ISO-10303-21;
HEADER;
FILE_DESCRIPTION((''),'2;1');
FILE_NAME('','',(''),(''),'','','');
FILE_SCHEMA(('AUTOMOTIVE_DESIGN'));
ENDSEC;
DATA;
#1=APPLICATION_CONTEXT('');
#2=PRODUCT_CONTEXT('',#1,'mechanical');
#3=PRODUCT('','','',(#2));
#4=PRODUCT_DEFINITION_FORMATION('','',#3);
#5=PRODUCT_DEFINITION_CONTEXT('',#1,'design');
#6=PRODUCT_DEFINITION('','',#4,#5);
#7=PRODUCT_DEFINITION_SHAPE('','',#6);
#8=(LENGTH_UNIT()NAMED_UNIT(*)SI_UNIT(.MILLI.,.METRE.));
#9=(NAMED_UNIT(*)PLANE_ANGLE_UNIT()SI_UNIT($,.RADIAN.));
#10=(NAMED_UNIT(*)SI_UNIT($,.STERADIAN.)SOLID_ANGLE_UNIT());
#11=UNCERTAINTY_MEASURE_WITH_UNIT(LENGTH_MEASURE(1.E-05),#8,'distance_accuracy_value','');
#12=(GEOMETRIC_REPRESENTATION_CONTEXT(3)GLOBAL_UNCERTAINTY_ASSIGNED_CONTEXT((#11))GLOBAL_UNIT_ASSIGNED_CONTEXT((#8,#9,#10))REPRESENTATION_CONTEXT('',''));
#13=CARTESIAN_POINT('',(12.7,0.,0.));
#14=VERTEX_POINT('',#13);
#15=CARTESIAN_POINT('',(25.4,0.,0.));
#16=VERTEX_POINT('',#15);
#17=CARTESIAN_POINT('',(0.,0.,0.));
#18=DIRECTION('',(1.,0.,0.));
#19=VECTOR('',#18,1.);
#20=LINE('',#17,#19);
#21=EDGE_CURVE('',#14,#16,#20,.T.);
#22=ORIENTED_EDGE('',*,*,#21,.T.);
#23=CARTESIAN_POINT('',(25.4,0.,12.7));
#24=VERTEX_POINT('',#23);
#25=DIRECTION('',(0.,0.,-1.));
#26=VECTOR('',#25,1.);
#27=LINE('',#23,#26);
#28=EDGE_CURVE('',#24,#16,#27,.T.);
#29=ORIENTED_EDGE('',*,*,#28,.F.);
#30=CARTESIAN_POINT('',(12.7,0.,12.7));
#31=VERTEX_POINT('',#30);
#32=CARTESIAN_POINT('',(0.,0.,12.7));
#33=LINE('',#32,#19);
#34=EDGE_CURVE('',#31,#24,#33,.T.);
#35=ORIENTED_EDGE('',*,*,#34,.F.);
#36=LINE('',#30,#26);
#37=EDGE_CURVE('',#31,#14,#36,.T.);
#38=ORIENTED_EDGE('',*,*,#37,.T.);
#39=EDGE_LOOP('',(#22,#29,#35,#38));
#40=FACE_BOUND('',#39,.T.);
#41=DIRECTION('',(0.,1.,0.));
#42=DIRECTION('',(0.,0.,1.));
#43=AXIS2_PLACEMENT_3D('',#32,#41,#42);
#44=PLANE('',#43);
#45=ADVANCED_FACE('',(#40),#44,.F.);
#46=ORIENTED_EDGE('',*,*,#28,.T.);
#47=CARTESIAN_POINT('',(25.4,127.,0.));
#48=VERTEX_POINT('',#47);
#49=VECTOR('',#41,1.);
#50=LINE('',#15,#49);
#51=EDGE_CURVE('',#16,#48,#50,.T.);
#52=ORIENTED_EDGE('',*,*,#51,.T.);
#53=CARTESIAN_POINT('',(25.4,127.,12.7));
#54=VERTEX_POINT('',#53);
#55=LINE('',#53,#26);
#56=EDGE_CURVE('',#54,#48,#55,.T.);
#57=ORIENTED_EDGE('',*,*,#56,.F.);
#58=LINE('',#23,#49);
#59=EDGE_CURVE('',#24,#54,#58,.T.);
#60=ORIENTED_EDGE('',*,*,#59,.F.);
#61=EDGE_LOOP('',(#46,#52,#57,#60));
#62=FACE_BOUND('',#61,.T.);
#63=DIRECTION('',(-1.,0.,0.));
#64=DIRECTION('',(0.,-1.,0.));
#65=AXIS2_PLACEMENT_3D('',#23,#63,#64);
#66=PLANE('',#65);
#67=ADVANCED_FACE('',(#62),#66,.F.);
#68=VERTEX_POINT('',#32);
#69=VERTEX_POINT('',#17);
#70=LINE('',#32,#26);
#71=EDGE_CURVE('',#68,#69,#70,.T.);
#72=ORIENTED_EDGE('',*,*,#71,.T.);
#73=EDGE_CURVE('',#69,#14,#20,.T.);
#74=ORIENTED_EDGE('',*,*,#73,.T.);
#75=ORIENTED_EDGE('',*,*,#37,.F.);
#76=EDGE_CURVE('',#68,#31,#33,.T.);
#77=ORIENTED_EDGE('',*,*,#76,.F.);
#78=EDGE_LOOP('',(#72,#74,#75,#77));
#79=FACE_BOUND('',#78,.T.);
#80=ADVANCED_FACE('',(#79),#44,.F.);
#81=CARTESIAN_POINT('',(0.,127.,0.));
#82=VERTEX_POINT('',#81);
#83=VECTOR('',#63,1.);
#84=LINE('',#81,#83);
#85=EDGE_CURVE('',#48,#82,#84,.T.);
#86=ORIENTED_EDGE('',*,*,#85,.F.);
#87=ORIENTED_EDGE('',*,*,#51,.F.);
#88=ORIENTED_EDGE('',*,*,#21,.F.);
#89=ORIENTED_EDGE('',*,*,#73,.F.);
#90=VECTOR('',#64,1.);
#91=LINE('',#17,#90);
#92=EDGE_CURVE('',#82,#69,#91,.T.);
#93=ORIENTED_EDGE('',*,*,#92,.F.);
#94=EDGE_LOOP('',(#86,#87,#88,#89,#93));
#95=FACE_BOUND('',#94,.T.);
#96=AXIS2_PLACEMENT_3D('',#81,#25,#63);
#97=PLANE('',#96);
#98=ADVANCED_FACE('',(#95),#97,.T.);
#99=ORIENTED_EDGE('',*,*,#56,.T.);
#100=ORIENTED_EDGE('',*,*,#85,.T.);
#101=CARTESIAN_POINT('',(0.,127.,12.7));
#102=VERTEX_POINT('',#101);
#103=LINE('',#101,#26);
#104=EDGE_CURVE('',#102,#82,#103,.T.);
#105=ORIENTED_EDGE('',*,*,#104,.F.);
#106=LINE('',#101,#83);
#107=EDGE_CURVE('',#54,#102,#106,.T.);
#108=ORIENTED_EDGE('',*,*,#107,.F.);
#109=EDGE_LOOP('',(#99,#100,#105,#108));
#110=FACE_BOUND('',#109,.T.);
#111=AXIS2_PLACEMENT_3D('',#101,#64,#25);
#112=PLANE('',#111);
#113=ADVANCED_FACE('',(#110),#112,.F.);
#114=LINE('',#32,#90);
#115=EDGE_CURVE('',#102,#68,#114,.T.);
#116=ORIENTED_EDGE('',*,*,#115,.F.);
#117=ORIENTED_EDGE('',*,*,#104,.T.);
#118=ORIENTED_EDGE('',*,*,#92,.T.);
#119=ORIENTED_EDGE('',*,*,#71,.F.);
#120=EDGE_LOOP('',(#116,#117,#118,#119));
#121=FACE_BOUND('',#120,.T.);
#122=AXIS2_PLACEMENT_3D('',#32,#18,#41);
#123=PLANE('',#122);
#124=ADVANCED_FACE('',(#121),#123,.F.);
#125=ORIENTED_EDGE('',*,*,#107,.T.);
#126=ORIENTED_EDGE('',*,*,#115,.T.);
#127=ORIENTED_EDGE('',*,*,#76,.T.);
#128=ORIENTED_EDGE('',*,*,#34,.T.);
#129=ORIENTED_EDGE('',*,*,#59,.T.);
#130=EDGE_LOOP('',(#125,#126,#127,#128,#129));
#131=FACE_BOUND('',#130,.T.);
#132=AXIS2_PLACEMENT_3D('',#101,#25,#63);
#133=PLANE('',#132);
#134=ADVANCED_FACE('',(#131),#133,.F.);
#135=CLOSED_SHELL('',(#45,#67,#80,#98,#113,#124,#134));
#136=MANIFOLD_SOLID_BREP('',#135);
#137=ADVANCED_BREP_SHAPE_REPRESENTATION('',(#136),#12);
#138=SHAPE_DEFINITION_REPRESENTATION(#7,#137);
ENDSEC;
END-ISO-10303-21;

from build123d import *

# Parameters (mm, degrees)
SKETCH1_W      = 25.4
SKETCH1_H      = 127
EXTRUDE1_DEPTH = 12.7


with BuildPart() as part:
    # Sketch1 → Extrude1 (new body)
    with BuildSketch(Plane.XY):
        with Locations((12.7, 63.5)):
            Rectangle(SKETCH1_W, SKETCH1_H)
    extrude(amount=EXTRUDE1_DEPTH)


solid = part.part
